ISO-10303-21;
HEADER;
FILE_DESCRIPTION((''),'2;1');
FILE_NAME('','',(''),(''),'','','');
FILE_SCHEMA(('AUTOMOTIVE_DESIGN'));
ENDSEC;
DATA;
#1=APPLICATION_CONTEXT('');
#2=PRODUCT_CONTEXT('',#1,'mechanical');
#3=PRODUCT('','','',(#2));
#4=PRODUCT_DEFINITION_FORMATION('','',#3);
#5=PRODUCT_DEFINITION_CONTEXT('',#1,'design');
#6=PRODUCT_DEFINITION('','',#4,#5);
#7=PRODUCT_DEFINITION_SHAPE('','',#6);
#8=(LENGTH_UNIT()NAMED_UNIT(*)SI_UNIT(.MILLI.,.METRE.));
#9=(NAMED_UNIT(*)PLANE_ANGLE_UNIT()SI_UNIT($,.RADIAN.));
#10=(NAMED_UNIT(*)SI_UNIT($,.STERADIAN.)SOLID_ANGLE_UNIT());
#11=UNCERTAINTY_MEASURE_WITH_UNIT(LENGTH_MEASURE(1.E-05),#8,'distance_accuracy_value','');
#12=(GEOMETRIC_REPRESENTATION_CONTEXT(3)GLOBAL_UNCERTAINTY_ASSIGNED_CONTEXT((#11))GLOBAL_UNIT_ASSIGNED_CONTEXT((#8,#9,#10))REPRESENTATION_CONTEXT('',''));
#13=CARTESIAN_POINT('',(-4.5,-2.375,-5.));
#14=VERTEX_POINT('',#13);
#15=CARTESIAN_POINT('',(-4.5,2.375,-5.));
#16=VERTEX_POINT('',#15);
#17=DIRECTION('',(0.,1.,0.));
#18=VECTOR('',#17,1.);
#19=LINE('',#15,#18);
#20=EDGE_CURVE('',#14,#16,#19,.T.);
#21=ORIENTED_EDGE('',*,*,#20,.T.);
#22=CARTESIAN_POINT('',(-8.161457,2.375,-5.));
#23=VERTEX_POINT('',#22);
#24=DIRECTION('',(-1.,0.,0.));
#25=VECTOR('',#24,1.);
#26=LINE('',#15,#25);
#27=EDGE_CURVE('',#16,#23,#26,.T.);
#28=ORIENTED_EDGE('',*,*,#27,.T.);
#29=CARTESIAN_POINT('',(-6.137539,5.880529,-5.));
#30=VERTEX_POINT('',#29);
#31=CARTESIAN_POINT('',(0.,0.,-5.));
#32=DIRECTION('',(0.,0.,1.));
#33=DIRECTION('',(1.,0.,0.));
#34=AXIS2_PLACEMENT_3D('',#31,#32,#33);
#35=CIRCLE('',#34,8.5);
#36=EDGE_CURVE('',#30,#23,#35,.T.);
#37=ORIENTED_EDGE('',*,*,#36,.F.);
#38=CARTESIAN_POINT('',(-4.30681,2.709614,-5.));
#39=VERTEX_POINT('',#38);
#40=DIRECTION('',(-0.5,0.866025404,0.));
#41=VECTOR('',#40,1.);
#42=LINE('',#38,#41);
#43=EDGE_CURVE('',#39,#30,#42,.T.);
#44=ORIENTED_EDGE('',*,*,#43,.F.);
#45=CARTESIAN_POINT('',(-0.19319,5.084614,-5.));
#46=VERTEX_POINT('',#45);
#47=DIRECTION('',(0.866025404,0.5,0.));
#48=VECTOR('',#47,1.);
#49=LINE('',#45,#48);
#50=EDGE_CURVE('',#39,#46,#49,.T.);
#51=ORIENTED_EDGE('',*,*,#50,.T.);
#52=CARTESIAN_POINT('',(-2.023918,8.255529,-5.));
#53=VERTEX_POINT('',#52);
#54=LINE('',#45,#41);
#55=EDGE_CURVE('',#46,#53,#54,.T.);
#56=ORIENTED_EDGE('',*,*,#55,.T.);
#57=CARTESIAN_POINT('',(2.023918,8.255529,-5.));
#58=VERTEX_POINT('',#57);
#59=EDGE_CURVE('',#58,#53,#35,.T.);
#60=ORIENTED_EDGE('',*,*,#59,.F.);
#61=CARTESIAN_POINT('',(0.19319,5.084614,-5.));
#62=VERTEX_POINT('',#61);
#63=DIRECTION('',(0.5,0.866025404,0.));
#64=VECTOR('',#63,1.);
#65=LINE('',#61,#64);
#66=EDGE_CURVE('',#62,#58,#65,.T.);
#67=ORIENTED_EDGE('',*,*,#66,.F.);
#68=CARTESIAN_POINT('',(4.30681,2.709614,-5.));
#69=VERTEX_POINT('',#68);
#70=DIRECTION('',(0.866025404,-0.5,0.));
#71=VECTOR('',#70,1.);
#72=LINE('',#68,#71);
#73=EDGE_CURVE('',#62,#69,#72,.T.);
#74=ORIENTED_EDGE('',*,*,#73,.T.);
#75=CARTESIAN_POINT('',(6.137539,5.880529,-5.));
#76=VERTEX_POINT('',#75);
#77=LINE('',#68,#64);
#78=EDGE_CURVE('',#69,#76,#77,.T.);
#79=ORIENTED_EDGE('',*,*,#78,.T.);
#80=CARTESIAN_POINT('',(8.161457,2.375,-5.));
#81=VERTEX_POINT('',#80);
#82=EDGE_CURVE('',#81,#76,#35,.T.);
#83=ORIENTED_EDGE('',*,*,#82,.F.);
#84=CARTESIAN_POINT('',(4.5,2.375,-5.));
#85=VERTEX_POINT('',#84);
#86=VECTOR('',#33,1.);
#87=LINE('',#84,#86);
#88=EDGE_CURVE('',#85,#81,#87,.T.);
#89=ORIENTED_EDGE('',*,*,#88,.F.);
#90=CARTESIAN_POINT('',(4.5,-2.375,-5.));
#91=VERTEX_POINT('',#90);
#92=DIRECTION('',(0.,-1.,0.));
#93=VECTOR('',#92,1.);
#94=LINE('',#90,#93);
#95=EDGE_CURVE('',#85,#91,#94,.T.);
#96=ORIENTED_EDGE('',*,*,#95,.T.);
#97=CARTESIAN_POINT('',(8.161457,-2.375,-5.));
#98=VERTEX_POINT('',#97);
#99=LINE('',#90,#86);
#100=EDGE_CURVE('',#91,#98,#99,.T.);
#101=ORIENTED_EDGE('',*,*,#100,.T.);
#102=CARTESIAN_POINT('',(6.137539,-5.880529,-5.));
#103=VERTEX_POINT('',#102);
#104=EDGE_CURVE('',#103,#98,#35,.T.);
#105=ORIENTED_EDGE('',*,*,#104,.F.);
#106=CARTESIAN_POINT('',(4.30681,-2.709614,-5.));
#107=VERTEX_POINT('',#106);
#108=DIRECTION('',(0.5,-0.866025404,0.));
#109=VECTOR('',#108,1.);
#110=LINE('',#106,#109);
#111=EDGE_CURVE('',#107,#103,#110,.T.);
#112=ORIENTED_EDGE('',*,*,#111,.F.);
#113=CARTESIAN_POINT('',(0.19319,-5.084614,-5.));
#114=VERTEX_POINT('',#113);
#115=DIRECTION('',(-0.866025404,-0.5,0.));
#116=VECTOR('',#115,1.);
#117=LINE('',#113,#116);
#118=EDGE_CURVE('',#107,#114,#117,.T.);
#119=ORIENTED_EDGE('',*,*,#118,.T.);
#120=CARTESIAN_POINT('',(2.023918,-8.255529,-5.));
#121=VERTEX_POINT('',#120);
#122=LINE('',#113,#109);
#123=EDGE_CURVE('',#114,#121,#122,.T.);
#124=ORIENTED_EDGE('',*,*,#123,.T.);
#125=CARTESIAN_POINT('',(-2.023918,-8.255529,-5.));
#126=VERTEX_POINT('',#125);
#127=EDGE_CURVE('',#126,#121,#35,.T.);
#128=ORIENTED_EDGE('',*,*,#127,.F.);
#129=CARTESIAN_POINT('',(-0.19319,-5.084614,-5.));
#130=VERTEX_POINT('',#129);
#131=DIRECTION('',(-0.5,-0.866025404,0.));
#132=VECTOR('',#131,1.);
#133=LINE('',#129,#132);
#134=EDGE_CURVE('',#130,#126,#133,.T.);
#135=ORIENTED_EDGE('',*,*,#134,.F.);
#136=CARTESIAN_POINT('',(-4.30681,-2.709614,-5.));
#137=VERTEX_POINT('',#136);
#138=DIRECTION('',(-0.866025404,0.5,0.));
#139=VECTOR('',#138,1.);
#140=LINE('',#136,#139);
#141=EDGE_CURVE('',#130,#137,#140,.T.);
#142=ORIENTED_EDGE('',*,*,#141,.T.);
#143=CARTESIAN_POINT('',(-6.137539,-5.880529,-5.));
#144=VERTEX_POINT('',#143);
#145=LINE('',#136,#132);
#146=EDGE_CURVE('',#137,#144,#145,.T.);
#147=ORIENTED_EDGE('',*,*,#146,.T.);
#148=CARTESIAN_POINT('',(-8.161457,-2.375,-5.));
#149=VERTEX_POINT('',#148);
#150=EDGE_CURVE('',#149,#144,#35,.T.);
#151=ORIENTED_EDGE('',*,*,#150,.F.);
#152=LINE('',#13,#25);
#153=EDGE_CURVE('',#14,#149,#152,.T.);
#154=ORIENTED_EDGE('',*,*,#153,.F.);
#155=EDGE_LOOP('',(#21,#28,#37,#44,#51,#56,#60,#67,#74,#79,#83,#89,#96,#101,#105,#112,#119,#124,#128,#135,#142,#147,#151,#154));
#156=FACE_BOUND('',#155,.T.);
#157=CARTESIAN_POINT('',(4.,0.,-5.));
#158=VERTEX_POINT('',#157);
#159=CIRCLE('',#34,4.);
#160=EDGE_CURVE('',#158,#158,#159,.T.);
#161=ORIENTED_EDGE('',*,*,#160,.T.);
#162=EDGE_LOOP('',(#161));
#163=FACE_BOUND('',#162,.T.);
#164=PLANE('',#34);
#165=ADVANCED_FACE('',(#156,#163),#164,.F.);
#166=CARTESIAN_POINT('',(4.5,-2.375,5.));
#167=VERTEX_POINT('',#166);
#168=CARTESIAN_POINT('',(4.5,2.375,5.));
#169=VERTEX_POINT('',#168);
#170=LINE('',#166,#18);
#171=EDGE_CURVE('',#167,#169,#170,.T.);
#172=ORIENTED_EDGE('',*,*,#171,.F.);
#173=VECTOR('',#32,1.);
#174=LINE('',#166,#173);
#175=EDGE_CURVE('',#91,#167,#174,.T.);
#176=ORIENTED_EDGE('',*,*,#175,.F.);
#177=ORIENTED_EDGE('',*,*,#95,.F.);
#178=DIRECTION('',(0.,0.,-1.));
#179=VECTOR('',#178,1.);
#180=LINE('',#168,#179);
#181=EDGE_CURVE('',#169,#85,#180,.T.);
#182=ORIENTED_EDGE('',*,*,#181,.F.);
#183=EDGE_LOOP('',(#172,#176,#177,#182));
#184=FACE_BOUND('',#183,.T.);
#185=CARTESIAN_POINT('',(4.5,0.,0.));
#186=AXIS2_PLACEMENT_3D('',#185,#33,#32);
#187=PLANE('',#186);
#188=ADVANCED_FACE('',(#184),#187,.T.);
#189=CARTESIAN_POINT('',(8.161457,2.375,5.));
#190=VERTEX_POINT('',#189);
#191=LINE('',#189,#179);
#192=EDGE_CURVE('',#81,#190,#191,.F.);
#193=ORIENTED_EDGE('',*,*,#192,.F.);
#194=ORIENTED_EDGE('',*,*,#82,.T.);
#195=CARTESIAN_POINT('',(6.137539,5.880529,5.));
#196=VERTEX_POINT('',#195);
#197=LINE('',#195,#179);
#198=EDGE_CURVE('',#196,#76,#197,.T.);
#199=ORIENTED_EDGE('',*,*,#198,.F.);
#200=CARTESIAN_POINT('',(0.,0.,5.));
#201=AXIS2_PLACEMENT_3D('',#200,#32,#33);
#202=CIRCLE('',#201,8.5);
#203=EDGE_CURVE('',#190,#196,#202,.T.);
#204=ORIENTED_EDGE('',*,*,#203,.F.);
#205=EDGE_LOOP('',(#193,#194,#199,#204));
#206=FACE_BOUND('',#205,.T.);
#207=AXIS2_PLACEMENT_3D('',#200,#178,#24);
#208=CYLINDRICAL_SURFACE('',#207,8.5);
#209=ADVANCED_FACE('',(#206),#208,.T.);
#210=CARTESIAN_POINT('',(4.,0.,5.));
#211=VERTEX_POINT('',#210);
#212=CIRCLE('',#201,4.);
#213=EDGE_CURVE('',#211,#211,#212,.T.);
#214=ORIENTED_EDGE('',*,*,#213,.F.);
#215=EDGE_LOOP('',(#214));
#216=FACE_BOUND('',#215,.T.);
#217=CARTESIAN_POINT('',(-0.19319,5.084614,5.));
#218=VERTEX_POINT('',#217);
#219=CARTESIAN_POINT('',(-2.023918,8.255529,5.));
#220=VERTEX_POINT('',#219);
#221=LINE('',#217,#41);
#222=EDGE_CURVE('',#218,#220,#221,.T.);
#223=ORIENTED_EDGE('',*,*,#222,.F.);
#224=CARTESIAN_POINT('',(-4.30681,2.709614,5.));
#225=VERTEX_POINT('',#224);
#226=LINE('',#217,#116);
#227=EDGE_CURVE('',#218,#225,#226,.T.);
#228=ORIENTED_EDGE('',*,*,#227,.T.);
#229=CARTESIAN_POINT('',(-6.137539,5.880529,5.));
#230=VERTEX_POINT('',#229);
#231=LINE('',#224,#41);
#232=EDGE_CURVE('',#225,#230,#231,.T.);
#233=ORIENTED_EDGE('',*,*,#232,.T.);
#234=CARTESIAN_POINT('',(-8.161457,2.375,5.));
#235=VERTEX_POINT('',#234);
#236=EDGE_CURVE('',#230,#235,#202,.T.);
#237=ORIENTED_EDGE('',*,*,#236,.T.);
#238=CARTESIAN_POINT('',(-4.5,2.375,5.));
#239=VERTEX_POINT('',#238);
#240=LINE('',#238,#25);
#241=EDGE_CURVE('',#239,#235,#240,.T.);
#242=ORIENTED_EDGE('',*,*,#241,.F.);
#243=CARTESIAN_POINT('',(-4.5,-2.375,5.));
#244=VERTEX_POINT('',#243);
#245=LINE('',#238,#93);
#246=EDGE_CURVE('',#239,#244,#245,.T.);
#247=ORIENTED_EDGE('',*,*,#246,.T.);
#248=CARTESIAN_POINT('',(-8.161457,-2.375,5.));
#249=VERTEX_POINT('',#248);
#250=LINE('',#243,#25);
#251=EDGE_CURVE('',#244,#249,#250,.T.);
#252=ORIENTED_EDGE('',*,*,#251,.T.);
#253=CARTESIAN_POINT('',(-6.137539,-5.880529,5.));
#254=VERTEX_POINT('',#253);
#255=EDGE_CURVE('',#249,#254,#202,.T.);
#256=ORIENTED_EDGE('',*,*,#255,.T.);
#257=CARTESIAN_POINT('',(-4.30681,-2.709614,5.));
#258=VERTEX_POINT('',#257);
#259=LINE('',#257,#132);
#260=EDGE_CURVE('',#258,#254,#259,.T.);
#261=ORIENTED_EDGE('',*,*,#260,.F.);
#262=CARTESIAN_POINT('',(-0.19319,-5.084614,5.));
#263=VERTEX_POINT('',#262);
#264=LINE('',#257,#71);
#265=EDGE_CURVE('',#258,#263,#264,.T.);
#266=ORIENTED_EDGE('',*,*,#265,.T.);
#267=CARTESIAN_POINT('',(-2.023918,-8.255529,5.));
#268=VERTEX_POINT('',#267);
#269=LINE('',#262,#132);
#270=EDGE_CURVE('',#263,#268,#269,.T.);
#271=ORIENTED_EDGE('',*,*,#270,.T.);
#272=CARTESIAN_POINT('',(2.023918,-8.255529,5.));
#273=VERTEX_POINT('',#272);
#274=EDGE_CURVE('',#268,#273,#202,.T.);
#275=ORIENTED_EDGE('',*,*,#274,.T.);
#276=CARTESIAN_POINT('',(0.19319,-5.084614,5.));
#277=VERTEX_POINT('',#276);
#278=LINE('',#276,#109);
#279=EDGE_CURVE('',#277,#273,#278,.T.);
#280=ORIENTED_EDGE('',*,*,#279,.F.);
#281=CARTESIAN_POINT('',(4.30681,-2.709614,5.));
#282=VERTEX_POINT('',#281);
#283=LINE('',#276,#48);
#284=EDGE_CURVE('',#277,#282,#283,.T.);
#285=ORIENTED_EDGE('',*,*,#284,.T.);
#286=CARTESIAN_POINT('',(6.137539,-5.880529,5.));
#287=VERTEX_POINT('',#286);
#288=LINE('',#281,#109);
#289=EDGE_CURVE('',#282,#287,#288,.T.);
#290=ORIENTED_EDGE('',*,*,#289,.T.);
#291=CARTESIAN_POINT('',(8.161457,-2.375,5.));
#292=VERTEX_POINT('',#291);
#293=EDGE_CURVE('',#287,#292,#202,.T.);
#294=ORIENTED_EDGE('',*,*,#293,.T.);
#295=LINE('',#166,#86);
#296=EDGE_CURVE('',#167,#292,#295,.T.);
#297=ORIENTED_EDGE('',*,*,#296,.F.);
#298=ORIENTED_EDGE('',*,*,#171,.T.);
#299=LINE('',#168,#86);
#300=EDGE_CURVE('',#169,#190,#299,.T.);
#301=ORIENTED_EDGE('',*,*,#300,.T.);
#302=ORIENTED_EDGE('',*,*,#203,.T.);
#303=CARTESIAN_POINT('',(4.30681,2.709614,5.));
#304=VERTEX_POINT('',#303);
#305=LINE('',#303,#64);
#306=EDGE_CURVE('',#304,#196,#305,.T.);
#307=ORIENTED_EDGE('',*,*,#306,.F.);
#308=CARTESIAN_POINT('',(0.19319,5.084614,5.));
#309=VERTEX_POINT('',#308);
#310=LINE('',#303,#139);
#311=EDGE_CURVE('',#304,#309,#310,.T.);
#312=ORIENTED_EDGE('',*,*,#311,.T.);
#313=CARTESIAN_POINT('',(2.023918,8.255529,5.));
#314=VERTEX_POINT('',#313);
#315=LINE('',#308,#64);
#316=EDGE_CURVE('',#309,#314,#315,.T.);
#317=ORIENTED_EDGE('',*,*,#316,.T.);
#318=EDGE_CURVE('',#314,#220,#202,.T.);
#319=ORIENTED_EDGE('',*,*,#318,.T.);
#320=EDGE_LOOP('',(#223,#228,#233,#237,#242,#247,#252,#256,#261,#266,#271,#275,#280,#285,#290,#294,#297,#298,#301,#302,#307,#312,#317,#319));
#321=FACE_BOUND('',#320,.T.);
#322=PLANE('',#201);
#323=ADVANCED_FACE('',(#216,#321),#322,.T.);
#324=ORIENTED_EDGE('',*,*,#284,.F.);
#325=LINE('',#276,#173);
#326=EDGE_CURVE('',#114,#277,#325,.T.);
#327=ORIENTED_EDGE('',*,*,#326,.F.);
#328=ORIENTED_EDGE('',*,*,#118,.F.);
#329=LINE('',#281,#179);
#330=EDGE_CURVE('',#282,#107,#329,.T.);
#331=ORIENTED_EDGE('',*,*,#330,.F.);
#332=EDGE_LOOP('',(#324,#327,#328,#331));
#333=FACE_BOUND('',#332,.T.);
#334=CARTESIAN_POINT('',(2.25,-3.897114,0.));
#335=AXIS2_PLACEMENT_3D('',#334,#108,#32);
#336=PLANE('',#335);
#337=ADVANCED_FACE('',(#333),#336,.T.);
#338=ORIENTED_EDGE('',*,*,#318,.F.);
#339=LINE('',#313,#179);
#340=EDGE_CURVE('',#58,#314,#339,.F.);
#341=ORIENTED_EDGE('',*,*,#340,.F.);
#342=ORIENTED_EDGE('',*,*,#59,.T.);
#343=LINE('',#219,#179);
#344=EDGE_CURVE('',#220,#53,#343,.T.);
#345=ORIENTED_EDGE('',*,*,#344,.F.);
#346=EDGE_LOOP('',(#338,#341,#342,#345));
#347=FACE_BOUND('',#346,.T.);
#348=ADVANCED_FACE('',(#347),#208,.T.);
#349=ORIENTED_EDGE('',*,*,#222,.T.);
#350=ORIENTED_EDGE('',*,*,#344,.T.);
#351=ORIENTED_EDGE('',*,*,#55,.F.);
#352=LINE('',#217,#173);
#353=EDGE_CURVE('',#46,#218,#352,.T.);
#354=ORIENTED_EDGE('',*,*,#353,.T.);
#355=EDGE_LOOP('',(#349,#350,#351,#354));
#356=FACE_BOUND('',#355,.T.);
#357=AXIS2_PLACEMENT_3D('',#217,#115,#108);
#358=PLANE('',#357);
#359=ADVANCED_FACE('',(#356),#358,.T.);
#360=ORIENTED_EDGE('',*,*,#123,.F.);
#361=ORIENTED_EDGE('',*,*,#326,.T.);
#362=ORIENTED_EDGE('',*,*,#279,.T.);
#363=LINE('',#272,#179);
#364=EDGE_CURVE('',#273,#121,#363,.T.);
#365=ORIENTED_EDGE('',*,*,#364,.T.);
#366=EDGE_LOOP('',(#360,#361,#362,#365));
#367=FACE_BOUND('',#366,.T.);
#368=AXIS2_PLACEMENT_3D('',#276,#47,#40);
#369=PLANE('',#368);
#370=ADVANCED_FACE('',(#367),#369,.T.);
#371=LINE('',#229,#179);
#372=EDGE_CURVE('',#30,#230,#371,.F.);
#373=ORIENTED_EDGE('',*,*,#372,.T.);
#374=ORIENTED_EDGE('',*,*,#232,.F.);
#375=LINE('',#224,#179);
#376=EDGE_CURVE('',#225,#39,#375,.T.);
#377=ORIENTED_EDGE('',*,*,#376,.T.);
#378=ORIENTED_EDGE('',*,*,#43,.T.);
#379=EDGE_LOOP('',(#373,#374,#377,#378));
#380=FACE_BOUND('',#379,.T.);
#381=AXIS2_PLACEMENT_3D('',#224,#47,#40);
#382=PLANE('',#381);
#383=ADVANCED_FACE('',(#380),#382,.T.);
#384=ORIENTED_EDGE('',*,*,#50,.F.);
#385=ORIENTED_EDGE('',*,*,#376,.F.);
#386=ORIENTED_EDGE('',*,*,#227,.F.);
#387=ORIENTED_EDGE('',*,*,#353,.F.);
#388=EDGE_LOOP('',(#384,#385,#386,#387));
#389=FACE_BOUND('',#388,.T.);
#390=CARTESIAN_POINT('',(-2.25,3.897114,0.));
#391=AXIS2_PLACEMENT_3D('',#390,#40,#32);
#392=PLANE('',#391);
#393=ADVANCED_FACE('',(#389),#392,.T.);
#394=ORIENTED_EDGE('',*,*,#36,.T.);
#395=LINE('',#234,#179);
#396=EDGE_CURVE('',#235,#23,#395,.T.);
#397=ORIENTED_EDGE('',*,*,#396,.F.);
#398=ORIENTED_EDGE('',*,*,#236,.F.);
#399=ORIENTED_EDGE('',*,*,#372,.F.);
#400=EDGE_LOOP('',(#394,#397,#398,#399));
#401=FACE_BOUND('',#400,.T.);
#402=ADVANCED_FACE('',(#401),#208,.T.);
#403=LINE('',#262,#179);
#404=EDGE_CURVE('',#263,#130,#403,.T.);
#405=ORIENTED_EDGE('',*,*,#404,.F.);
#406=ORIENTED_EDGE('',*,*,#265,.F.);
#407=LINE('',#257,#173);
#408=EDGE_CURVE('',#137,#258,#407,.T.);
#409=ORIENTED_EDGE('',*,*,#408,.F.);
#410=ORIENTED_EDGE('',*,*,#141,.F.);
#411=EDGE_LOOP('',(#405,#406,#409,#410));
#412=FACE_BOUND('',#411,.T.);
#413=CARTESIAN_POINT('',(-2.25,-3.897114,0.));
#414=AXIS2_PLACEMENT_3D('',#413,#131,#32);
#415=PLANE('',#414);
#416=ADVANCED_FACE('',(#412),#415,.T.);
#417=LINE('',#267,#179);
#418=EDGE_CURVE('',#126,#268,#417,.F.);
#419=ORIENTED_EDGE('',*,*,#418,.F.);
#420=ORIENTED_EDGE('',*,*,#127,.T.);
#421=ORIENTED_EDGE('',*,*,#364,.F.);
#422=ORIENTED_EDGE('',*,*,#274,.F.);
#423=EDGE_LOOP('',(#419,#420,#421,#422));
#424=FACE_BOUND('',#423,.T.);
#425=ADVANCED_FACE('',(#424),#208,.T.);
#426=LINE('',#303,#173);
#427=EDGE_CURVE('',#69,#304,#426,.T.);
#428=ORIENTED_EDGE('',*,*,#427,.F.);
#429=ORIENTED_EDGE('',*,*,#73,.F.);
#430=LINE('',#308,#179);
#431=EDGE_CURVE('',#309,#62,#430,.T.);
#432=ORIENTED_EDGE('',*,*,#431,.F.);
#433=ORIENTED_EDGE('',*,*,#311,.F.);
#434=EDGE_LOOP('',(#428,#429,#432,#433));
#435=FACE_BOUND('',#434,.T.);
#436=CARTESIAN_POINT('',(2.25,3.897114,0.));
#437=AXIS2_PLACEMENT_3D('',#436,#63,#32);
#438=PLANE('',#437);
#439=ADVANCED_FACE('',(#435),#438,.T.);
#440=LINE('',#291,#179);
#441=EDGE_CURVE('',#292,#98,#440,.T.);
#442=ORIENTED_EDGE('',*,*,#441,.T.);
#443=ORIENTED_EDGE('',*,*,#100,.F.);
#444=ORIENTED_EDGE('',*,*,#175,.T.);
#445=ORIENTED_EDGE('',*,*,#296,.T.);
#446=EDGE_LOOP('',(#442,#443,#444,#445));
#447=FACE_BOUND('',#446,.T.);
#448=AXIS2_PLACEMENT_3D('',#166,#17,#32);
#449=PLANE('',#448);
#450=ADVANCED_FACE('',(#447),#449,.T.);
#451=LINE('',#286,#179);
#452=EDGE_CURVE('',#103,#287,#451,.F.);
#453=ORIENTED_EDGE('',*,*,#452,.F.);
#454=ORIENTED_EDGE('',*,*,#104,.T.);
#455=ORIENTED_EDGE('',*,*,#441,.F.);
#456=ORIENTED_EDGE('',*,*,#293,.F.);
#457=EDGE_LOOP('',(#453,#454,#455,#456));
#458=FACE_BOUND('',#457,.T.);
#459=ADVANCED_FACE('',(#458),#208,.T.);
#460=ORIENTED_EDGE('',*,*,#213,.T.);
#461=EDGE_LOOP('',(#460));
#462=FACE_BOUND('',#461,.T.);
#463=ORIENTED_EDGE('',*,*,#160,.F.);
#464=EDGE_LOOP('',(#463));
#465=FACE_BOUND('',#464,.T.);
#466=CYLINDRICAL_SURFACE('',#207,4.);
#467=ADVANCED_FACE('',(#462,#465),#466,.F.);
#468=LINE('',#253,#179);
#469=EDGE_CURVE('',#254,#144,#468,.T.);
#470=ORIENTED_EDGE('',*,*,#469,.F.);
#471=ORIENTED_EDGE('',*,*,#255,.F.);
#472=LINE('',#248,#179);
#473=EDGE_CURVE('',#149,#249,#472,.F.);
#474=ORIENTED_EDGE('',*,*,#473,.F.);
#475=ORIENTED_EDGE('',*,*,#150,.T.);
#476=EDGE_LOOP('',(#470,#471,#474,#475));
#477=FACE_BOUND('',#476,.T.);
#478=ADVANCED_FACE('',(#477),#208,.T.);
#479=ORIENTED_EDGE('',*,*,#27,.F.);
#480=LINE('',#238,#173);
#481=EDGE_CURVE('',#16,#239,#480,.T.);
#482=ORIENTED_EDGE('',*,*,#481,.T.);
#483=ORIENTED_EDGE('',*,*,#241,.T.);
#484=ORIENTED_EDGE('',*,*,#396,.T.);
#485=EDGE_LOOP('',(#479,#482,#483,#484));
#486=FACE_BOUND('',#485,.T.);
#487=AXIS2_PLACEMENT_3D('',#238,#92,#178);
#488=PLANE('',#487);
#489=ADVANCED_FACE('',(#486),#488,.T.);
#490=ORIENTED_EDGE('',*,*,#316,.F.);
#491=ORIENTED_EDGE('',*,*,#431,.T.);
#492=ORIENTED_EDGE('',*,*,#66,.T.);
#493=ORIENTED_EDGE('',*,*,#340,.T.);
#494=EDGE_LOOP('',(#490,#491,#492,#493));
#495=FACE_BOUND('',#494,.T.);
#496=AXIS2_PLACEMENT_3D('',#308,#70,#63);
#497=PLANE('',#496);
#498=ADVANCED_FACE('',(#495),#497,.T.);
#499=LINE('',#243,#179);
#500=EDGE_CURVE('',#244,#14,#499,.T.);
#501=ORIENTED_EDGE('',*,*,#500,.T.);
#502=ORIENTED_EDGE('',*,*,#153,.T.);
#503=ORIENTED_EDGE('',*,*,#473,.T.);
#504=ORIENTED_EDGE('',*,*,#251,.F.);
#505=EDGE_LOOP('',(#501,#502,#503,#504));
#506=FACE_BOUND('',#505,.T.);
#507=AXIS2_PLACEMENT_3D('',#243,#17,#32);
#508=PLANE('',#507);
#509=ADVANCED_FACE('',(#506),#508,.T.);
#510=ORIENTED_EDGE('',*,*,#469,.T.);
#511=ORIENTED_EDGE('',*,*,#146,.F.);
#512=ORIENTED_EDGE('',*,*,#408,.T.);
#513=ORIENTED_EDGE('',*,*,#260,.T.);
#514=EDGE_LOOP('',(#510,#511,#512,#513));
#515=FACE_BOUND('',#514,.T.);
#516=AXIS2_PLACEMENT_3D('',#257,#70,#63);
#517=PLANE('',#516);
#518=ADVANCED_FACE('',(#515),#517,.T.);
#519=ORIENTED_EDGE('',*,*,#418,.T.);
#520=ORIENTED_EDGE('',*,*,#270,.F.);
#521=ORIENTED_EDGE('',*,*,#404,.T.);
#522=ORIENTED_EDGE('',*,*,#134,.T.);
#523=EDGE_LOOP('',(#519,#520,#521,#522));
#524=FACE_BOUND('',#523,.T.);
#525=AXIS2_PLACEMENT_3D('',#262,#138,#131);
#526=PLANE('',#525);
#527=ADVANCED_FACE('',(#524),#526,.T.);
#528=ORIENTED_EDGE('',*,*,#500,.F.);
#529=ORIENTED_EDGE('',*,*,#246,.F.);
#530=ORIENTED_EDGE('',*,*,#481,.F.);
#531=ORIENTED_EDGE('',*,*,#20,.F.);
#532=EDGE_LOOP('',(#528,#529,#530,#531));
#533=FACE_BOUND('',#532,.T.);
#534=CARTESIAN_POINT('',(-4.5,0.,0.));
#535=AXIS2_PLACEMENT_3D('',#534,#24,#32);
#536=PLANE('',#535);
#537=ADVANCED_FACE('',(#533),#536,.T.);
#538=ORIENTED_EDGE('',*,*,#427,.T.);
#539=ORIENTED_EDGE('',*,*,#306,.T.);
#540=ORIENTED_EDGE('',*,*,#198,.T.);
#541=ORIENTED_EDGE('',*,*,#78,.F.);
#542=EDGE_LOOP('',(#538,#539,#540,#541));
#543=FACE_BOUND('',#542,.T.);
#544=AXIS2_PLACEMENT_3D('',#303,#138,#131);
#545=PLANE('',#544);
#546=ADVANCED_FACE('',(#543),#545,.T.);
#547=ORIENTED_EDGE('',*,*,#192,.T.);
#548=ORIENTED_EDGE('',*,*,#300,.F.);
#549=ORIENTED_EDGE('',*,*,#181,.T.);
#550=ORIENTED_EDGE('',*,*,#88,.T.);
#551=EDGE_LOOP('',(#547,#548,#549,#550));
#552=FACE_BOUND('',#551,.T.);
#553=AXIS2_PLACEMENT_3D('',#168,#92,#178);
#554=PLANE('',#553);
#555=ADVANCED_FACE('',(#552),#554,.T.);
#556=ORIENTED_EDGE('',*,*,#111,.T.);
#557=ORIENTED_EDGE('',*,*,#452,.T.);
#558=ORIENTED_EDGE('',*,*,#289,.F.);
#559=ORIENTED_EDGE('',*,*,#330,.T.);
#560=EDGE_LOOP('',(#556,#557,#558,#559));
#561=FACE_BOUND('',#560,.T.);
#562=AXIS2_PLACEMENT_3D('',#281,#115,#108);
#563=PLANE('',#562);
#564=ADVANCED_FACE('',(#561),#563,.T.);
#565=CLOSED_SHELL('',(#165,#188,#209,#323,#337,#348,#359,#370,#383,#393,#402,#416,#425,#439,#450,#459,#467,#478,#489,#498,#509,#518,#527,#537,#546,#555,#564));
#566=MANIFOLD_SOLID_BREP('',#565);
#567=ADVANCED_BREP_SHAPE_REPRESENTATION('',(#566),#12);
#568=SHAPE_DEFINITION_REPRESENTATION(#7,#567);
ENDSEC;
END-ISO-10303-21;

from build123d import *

# Parameters (mm, degrees)
SKETCH1_R           = 8.5
SKETCH1_R_2         = 4
BOSS_EXTRUDE1_DEPTH = 5
SKETCH2_W           = 4.75
SKETCH2_H           = 10
CUT_EXTRUDE3_DEPTH  = 4
CIRPATTERN1_COUNT   = 6


with BuildPart() as part:
    # Sketch1 → Boss-Extrude1 (new, symmetric)
    with BuildSketch(Plane.XY):
        Circle(SKETCH1_R)
        Circle(SKETCH1_R_2, mode=Mode.SUBTRACT)
    extrude(amount=BOSS_EXTRUDE1_DEPTH, both=True)

    # Sketch2 → Cut-Extrude3 (cut)
    with BuildSketch(Plane(origin=(-8.5, -17.193061184, 0), x_dir=(0, -1, 0), z_dir=(1, 0, 0))):
        with Locations((-17.193061184, 0)):
            Rectangle(SKETCH2_W, SKETCH2_H)
    cut_extrude3 = extrude(amount=CUT_EXTRUDE3_DEPTH, mode=Mode.SUBTRACT)

    # CirPattern1: Cut-Extrude3 ×6 about axis
    cirpattern1_axis = Axis((0, 0, 5), (0, 0, 1))
    for i in range(1, CIRPATTERN1_COUNT):
        add(cut_extrude3.rotate(cirpattern1_axis, i * 360 / CIRPATTERN1_COUNT), mode=Mode.SUBTRACT)


solid = part.part
